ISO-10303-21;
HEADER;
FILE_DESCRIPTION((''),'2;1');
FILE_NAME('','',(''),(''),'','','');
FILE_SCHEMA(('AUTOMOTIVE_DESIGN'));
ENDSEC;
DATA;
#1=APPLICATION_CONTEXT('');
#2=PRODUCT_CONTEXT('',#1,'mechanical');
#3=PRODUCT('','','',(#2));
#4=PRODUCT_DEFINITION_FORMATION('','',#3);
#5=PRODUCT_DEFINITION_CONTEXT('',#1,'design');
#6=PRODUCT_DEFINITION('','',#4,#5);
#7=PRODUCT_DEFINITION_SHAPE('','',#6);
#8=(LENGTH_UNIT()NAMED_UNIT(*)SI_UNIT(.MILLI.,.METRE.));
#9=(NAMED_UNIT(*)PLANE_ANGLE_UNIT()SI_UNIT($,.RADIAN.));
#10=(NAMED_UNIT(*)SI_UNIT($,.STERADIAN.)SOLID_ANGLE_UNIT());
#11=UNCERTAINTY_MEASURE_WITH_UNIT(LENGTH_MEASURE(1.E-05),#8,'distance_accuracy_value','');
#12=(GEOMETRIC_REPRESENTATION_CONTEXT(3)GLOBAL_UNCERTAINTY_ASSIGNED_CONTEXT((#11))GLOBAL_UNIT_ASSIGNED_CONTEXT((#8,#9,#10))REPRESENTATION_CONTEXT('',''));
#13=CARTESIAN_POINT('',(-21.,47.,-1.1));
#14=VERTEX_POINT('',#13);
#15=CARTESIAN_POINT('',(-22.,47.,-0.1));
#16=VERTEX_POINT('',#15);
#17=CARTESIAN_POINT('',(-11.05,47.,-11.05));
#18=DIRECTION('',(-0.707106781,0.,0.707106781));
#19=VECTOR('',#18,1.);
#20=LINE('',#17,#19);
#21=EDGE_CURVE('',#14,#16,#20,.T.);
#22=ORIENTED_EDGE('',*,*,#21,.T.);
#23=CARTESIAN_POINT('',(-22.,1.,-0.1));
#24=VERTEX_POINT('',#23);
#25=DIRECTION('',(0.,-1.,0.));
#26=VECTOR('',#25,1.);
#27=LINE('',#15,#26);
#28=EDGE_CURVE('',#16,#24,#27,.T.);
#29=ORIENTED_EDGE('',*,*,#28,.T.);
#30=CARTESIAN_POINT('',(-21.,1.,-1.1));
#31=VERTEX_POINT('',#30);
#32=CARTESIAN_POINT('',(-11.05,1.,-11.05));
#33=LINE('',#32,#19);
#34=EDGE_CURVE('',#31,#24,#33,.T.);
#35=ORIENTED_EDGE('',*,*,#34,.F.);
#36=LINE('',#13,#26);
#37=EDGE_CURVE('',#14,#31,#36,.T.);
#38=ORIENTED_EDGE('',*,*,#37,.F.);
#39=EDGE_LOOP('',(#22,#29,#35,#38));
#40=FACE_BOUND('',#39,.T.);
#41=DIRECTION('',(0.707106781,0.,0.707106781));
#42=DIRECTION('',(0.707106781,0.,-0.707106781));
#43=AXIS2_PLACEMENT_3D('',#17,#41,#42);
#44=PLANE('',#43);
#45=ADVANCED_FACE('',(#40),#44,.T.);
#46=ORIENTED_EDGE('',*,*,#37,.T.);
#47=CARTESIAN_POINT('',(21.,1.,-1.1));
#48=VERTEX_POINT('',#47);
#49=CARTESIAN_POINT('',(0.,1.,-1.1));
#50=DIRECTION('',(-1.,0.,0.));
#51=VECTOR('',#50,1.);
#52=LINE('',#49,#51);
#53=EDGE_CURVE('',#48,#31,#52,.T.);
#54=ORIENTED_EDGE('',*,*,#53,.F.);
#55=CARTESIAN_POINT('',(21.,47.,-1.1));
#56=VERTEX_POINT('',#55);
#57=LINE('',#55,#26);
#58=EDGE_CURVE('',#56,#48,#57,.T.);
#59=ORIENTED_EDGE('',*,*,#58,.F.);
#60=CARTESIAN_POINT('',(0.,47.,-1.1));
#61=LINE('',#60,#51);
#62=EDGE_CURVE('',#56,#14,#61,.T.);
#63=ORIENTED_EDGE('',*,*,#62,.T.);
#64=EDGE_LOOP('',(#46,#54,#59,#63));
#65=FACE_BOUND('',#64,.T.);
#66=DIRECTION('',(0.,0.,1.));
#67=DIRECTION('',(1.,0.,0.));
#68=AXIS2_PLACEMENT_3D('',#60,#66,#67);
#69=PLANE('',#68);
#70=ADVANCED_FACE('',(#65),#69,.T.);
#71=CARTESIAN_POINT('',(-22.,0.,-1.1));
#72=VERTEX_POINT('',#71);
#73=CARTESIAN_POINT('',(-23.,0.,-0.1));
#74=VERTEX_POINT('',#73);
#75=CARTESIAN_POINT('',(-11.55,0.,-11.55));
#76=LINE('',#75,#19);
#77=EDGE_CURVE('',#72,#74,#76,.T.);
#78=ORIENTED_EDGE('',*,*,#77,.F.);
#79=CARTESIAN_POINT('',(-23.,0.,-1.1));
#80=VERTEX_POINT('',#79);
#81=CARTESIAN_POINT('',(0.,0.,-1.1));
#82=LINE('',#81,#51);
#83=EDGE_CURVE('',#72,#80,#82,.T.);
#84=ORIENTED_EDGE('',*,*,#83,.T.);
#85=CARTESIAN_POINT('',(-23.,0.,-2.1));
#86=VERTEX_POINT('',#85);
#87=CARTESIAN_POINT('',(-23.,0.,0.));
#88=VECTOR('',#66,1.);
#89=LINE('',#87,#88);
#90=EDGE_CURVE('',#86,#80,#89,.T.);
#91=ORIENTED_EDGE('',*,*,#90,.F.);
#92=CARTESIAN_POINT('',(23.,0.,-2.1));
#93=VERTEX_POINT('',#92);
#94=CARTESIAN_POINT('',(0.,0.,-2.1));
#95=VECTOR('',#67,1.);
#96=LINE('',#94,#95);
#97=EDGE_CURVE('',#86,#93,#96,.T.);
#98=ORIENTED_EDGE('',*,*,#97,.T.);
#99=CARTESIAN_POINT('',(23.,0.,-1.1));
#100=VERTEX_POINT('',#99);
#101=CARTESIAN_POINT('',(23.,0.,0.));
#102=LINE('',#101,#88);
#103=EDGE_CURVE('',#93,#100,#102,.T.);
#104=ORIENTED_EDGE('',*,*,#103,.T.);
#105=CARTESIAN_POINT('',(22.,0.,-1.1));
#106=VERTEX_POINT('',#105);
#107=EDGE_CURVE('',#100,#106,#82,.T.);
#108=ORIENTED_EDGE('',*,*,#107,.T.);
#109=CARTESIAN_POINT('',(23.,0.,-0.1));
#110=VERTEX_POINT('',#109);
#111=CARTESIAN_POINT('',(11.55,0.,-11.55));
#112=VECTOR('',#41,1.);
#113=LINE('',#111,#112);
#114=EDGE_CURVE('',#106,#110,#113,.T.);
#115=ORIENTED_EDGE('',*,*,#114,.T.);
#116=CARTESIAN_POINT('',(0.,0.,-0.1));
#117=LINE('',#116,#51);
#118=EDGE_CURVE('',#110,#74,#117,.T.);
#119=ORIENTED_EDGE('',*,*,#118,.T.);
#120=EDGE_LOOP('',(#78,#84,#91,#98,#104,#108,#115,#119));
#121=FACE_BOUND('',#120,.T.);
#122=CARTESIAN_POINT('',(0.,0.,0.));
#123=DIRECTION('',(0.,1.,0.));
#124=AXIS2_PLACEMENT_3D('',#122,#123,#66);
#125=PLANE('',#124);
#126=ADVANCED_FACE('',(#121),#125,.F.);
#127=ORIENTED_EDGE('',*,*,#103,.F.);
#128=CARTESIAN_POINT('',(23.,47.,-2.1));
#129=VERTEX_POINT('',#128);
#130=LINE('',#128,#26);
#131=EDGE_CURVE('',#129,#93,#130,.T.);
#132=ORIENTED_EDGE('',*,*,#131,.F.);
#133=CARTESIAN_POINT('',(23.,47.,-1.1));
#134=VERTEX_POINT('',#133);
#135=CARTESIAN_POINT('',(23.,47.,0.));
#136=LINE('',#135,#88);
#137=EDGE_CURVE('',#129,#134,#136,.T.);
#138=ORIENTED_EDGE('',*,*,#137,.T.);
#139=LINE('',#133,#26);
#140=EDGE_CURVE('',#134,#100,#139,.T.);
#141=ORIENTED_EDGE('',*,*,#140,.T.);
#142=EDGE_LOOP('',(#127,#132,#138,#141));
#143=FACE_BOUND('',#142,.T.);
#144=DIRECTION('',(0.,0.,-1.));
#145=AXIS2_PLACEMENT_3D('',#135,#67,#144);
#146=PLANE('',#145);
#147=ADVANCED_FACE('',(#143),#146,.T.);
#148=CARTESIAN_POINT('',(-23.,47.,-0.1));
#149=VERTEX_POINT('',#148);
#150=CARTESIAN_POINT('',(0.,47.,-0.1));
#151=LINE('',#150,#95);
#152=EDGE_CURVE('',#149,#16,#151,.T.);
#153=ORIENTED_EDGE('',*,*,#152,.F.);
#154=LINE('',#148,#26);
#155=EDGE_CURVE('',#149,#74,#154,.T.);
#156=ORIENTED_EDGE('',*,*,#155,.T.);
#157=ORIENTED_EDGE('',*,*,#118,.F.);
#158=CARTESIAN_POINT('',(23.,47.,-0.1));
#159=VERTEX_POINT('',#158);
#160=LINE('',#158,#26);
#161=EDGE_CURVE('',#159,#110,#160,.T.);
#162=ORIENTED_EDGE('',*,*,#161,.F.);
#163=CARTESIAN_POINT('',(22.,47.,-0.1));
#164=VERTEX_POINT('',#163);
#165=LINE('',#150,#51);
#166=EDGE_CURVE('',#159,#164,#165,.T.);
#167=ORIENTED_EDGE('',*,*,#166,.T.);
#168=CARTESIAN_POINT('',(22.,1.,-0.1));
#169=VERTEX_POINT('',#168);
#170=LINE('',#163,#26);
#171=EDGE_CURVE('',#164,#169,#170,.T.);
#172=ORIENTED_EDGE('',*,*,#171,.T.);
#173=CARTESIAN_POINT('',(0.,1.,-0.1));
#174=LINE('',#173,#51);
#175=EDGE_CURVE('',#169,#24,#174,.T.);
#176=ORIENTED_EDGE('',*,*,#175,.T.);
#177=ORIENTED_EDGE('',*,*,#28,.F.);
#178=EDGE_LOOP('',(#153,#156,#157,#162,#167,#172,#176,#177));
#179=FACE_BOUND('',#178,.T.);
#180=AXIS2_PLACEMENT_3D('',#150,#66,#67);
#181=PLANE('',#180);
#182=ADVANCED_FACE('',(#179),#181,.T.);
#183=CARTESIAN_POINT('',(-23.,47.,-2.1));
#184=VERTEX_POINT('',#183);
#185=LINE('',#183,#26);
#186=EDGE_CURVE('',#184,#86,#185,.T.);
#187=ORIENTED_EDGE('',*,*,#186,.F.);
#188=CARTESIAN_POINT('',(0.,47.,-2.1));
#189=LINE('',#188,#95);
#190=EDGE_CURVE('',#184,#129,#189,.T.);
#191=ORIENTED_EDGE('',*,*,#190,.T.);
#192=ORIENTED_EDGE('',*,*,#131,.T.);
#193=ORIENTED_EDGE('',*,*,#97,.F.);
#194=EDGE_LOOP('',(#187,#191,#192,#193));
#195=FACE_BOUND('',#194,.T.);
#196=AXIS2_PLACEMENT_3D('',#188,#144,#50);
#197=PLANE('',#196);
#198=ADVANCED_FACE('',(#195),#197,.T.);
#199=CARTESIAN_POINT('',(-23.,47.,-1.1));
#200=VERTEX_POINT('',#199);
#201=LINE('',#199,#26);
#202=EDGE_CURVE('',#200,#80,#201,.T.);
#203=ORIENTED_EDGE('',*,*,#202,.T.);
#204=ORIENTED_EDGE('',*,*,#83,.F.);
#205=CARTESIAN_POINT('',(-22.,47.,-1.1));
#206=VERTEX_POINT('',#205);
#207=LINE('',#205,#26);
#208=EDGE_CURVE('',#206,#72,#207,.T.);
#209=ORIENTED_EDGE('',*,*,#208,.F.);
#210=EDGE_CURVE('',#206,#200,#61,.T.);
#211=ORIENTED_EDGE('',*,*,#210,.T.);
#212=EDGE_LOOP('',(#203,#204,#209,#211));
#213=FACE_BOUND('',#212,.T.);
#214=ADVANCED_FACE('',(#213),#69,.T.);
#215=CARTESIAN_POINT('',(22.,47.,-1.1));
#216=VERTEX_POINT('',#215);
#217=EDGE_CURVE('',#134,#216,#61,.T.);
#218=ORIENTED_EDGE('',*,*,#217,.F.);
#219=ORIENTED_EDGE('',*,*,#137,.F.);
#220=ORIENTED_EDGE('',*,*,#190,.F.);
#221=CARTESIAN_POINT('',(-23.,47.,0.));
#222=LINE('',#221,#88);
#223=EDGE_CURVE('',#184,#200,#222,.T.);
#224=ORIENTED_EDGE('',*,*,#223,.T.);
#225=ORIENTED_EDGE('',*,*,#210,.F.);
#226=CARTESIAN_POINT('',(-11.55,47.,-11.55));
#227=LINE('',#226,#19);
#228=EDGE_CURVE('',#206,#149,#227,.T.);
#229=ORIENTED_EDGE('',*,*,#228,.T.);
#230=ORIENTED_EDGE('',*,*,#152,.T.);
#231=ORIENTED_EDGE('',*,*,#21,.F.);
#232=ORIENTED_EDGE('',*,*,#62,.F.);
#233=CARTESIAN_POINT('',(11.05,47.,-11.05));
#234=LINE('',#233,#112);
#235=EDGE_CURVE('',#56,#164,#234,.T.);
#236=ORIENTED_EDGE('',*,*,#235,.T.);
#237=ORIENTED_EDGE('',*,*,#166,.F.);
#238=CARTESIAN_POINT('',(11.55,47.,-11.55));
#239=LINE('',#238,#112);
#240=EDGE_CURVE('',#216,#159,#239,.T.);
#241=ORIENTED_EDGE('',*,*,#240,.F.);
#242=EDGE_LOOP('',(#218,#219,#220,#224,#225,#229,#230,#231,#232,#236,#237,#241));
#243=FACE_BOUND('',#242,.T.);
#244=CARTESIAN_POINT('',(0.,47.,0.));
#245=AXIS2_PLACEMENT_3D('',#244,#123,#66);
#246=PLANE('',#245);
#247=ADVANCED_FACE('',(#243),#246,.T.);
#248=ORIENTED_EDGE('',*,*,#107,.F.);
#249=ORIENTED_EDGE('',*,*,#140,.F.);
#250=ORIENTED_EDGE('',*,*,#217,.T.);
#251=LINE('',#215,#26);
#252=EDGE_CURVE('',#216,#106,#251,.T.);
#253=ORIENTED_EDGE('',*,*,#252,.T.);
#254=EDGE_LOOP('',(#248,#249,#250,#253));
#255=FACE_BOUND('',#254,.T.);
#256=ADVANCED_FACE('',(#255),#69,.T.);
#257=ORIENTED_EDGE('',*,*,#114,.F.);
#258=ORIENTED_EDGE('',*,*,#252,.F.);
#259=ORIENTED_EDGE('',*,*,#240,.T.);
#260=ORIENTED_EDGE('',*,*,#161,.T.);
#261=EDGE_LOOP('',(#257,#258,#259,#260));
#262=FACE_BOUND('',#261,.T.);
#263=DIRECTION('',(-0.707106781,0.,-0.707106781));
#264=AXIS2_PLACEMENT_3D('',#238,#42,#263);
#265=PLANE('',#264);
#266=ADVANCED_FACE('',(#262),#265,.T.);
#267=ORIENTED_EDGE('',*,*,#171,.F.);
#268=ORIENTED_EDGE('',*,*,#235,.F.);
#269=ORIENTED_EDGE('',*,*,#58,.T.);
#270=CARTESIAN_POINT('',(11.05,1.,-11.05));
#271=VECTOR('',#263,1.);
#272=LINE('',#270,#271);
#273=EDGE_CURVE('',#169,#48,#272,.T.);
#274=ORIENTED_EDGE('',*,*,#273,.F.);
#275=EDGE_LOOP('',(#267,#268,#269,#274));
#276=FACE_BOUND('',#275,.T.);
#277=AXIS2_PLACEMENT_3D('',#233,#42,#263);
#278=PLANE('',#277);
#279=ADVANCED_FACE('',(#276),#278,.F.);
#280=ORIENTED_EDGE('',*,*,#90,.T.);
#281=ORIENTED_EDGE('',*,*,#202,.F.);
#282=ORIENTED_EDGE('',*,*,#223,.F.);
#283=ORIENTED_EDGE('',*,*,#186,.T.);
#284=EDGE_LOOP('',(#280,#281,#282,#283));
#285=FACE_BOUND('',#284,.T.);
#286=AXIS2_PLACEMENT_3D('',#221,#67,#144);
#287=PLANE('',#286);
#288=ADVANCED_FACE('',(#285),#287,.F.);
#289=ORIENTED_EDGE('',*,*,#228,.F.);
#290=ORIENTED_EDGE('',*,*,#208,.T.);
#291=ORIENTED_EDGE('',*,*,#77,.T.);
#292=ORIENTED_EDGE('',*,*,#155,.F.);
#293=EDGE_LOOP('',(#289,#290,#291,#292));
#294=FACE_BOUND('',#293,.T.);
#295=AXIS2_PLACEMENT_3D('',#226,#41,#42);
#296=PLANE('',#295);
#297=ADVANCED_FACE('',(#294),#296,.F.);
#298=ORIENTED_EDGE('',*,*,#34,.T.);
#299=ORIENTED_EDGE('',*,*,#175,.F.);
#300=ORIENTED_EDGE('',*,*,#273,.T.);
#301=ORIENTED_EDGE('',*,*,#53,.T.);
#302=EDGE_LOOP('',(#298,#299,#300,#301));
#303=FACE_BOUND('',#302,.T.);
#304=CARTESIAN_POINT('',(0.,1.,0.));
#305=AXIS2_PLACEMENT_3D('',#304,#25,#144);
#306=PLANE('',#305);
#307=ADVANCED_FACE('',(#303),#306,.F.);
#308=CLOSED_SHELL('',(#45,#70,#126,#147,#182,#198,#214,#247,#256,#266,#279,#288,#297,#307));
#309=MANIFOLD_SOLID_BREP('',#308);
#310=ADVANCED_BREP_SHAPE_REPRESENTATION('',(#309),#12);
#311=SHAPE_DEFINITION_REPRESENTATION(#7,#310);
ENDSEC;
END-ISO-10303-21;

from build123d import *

# Parameters (mm, degrees)
EXTRUDE_1_DEPTH = 47
EXTRUDE_3_DEPTH = 1


with BuildPart() as part:
    # 草图1 → 凸台-拉伸1 (new body)
    with BuildSketch(Plane(origin=(0, 0, 0), x_dir=(1, 0, 0), z_dir=(0, 1, 0))):
        Polygon((-23, 2.1), (23, 2.1), (23, 1.1), (22, 1.1), (23, 0.1), (22, 0.1), (21, 1.1), (-21, 1.1), (-22, 0.1), (-23, 0.1), (-22, 1.1), (-23, 1.1), align=None)
    extrude(amount=EXTRUDE_1_DEPTH)

    # 草图2 → 凸台-拉伸3 (add)
    with BuildSketch(Plane.XZ):
        Polygon((22, -0.1), (-22, -0.1), (-21, -1.1), (21, -1.1), align=None)
    extrude(amount=-EXTRUDE_3_DEPTH)


solid = part.part
